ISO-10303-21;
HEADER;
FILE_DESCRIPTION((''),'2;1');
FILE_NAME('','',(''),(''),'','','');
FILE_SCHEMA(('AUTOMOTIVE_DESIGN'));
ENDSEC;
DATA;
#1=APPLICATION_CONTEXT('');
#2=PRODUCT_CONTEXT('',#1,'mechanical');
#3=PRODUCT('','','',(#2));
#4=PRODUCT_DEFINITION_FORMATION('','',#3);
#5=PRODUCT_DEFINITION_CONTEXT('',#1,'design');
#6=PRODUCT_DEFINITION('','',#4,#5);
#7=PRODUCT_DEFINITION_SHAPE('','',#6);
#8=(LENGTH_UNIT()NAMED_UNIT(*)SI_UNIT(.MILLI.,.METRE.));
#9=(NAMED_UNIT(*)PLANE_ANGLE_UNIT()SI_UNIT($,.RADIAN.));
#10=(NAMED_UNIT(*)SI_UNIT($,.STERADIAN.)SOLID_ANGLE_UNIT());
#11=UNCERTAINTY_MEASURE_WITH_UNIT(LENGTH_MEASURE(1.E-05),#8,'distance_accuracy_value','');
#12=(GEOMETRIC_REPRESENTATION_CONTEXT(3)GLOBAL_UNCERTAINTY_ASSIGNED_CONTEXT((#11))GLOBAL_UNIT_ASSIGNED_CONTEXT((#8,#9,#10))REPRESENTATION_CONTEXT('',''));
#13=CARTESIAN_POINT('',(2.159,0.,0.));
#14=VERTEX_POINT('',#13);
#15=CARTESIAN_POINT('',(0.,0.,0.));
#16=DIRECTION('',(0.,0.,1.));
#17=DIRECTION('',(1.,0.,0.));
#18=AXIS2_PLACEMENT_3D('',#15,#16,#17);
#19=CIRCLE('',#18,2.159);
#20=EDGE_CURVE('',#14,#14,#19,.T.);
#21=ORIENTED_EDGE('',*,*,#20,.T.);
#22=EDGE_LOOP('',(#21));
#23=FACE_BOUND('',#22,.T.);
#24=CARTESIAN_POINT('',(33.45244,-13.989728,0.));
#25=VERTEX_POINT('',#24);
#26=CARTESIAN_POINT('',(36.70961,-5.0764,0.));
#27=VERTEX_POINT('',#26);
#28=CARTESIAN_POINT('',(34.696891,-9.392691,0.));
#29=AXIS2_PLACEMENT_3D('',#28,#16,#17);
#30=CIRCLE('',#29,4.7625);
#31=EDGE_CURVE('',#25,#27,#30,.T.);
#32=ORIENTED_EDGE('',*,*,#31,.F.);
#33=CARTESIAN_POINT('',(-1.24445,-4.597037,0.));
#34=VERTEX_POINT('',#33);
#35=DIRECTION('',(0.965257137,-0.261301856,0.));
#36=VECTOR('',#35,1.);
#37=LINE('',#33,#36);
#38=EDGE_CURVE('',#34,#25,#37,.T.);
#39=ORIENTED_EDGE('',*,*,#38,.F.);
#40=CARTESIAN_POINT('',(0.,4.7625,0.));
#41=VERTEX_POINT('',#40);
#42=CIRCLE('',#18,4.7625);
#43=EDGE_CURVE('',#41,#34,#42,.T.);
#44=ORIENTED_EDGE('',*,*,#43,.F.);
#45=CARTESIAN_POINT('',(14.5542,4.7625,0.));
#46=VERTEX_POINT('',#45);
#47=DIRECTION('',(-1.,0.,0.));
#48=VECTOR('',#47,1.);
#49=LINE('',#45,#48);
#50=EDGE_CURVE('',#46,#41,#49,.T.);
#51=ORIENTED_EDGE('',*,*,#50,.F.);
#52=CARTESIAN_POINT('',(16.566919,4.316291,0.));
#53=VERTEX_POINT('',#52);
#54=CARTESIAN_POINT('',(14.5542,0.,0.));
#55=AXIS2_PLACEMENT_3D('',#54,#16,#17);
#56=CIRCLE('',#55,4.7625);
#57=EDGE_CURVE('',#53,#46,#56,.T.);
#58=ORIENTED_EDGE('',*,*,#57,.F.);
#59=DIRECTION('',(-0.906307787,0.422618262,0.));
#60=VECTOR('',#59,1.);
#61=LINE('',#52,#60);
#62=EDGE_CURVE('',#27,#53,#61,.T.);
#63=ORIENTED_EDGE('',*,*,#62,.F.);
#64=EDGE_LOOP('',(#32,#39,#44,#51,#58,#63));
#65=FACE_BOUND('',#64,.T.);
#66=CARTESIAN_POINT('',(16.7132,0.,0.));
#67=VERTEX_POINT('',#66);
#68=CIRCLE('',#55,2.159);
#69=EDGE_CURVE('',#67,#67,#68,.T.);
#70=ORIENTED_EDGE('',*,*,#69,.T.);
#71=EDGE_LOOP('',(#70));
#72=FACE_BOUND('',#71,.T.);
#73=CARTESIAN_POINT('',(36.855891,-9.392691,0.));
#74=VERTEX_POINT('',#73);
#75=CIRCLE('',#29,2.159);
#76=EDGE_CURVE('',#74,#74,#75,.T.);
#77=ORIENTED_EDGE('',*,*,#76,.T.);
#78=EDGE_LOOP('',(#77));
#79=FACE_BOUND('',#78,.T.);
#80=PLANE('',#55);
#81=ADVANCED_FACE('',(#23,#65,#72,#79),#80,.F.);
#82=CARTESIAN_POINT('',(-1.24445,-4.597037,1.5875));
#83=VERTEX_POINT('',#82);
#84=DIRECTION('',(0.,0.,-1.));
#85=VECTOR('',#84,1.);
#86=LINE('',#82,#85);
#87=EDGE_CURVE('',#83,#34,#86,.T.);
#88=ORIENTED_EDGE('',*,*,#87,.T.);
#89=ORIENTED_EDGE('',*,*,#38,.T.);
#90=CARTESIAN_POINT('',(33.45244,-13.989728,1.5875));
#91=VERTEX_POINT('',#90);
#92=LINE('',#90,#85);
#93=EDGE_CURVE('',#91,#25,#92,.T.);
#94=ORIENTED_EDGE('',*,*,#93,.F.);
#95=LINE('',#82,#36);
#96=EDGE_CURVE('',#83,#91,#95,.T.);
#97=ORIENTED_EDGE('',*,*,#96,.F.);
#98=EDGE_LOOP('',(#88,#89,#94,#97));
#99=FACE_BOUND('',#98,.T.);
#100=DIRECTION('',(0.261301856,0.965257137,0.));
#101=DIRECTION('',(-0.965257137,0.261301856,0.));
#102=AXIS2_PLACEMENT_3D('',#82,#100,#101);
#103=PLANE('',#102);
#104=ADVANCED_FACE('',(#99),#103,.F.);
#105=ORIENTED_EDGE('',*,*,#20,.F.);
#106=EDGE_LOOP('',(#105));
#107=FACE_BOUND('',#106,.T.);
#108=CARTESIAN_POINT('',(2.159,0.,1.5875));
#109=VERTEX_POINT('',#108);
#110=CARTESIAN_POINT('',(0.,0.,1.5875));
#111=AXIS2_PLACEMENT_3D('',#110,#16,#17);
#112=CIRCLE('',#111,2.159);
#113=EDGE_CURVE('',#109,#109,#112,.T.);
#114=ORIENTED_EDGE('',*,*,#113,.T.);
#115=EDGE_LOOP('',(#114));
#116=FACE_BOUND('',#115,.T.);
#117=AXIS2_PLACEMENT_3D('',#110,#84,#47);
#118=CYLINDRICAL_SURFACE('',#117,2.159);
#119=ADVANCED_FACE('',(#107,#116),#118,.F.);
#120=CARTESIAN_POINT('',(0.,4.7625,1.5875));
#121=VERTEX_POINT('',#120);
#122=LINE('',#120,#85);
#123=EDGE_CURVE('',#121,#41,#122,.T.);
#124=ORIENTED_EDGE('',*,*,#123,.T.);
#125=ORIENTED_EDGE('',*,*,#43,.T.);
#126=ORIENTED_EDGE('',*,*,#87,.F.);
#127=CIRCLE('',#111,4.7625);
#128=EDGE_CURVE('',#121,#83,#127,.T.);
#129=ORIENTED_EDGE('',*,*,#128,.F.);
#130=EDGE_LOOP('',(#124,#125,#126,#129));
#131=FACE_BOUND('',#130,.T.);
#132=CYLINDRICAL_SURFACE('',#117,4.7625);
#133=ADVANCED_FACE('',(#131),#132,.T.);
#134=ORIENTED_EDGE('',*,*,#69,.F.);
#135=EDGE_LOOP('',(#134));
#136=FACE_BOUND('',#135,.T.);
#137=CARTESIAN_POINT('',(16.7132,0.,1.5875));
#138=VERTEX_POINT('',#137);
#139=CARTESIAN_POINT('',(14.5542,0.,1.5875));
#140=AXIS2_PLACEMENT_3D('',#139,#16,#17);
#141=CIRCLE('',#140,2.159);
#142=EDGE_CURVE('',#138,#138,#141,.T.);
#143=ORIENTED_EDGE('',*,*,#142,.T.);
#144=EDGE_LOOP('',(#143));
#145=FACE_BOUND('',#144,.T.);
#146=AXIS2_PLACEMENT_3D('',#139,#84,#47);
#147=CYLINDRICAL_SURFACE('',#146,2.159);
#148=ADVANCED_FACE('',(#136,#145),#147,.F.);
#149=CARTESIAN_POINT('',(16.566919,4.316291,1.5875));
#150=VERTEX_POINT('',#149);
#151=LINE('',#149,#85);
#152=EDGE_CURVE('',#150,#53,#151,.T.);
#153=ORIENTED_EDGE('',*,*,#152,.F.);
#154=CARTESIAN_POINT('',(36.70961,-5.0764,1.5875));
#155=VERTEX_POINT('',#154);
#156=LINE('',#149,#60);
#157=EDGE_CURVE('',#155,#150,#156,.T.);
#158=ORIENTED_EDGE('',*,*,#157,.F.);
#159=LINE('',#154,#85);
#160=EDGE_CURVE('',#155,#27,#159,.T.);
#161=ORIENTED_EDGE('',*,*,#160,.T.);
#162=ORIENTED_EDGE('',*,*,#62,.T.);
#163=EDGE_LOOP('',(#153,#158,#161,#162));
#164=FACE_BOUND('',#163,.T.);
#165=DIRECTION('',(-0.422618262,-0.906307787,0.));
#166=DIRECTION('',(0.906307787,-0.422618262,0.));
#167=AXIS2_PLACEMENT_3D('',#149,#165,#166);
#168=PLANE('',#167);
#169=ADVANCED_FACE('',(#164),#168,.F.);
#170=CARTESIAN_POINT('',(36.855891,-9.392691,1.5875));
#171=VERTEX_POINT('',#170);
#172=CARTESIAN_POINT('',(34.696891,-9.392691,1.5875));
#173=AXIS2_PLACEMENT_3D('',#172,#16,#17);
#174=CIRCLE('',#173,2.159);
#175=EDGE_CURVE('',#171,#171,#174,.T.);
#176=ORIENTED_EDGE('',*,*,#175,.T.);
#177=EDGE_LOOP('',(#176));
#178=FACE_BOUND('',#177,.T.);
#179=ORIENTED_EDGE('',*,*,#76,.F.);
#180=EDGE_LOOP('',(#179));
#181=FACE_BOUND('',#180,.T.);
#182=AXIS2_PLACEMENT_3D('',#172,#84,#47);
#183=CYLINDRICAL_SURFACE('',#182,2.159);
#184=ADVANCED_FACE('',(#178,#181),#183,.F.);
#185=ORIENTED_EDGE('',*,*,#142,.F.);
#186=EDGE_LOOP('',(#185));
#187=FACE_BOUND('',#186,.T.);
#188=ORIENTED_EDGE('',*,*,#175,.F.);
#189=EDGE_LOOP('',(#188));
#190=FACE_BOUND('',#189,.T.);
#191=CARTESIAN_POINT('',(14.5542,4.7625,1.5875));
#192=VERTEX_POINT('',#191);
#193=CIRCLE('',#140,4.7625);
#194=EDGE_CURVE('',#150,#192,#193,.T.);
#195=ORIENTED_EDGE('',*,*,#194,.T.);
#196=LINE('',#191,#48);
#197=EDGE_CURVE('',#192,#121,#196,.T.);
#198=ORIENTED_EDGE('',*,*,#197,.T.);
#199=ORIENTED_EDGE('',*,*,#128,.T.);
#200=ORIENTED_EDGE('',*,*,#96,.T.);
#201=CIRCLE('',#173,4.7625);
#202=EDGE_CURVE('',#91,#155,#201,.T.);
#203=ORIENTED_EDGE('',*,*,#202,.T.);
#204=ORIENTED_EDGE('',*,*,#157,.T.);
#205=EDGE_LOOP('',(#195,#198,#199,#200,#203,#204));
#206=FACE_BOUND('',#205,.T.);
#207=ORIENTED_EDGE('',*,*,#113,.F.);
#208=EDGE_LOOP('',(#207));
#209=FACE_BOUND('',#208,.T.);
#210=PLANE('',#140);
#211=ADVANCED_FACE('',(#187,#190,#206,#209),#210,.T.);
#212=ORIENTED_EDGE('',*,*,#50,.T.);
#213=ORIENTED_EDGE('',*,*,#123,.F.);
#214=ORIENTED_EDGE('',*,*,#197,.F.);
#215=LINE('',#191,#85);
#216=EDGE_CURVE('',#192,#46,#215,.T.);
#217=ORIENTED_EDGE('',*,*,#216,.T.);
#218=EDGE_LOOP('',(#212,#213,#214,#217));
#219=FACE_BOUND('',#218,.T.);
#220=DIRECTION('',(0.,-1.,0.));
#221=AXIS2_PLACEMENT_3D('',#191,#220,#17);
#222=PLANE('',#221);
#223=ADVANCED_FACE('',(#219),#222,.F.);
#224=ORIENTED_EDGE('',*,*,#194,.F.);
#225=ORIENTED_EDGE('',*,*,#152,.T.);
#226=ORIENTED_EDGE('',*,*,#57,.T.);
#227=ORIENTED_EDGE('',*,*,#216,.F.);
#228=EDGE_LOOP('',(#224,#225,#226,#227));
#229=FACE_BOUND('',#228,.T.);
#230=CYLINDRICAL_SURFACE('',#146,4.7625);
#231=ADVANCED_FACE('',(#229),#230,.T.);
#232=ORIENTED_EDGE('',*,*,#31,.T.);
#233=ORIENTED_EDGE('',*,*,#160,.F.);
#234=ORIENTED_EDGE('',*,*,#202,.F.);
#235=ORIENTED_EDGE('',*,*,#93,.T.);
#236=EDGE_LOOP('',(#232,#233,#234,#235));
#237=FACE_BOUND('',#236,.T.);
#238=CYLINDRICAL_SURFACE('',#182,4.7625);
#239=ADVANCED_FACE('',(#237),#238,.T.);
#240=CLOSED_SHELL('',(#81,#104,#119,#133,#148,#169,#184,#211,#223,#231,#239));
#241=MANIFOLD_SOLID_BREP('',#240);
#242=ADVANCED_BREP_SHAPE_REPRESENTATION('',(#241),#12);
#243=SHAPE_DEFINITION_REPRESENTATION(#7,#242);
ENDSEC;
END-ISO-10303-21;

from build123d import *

# Parameters (mm, degrees)
SKETCH1_R           = 2.159
BOSS_EXTRUDE1_DEPTH = 1.5875


with BuildPart() as part:
    # Sketch1 → Boss-Extrude1 (new body)
    with BuildSketch(Plane.XY):
        with BuildLine():
            Line((16.566919472, 4.316290836), (36.709610038, -5.076400031))
            ThreePointArc((36.709610038, -5.076400031), (39.170078831, -11.027314066), (33.452440479, -13.989727981))
            Line((33.452440479, -13.989727981), (-1.244450088, -4.597037114))
            ThreePointArc((-1.244450088, -4.597037114), (-4.720953056, 0.627700961), (0, 4.7625))
            Line((0, 4.7625), (14.5542, 4.7625))
            ThreePointArc((14.5542, 4.7625), (15.584993661, 4.649609734), (16.566919472, 4.316290836))
        make_face()
        Circle(SKETCH1_R, mode=Mode.SUBTRACT)
        with Locations((14.5542, 0)):
            Circle(SKETCH1_R, mode=Mode.SUBTRACT)
        with Locations((34.696890567, -9.392690867)):
            Circle(SKETCH1_R, mode=Mode.SUBTRACT)
    extrude(amount=BOSS_EXTRUDE1_DEPTH)


solid = part.part
